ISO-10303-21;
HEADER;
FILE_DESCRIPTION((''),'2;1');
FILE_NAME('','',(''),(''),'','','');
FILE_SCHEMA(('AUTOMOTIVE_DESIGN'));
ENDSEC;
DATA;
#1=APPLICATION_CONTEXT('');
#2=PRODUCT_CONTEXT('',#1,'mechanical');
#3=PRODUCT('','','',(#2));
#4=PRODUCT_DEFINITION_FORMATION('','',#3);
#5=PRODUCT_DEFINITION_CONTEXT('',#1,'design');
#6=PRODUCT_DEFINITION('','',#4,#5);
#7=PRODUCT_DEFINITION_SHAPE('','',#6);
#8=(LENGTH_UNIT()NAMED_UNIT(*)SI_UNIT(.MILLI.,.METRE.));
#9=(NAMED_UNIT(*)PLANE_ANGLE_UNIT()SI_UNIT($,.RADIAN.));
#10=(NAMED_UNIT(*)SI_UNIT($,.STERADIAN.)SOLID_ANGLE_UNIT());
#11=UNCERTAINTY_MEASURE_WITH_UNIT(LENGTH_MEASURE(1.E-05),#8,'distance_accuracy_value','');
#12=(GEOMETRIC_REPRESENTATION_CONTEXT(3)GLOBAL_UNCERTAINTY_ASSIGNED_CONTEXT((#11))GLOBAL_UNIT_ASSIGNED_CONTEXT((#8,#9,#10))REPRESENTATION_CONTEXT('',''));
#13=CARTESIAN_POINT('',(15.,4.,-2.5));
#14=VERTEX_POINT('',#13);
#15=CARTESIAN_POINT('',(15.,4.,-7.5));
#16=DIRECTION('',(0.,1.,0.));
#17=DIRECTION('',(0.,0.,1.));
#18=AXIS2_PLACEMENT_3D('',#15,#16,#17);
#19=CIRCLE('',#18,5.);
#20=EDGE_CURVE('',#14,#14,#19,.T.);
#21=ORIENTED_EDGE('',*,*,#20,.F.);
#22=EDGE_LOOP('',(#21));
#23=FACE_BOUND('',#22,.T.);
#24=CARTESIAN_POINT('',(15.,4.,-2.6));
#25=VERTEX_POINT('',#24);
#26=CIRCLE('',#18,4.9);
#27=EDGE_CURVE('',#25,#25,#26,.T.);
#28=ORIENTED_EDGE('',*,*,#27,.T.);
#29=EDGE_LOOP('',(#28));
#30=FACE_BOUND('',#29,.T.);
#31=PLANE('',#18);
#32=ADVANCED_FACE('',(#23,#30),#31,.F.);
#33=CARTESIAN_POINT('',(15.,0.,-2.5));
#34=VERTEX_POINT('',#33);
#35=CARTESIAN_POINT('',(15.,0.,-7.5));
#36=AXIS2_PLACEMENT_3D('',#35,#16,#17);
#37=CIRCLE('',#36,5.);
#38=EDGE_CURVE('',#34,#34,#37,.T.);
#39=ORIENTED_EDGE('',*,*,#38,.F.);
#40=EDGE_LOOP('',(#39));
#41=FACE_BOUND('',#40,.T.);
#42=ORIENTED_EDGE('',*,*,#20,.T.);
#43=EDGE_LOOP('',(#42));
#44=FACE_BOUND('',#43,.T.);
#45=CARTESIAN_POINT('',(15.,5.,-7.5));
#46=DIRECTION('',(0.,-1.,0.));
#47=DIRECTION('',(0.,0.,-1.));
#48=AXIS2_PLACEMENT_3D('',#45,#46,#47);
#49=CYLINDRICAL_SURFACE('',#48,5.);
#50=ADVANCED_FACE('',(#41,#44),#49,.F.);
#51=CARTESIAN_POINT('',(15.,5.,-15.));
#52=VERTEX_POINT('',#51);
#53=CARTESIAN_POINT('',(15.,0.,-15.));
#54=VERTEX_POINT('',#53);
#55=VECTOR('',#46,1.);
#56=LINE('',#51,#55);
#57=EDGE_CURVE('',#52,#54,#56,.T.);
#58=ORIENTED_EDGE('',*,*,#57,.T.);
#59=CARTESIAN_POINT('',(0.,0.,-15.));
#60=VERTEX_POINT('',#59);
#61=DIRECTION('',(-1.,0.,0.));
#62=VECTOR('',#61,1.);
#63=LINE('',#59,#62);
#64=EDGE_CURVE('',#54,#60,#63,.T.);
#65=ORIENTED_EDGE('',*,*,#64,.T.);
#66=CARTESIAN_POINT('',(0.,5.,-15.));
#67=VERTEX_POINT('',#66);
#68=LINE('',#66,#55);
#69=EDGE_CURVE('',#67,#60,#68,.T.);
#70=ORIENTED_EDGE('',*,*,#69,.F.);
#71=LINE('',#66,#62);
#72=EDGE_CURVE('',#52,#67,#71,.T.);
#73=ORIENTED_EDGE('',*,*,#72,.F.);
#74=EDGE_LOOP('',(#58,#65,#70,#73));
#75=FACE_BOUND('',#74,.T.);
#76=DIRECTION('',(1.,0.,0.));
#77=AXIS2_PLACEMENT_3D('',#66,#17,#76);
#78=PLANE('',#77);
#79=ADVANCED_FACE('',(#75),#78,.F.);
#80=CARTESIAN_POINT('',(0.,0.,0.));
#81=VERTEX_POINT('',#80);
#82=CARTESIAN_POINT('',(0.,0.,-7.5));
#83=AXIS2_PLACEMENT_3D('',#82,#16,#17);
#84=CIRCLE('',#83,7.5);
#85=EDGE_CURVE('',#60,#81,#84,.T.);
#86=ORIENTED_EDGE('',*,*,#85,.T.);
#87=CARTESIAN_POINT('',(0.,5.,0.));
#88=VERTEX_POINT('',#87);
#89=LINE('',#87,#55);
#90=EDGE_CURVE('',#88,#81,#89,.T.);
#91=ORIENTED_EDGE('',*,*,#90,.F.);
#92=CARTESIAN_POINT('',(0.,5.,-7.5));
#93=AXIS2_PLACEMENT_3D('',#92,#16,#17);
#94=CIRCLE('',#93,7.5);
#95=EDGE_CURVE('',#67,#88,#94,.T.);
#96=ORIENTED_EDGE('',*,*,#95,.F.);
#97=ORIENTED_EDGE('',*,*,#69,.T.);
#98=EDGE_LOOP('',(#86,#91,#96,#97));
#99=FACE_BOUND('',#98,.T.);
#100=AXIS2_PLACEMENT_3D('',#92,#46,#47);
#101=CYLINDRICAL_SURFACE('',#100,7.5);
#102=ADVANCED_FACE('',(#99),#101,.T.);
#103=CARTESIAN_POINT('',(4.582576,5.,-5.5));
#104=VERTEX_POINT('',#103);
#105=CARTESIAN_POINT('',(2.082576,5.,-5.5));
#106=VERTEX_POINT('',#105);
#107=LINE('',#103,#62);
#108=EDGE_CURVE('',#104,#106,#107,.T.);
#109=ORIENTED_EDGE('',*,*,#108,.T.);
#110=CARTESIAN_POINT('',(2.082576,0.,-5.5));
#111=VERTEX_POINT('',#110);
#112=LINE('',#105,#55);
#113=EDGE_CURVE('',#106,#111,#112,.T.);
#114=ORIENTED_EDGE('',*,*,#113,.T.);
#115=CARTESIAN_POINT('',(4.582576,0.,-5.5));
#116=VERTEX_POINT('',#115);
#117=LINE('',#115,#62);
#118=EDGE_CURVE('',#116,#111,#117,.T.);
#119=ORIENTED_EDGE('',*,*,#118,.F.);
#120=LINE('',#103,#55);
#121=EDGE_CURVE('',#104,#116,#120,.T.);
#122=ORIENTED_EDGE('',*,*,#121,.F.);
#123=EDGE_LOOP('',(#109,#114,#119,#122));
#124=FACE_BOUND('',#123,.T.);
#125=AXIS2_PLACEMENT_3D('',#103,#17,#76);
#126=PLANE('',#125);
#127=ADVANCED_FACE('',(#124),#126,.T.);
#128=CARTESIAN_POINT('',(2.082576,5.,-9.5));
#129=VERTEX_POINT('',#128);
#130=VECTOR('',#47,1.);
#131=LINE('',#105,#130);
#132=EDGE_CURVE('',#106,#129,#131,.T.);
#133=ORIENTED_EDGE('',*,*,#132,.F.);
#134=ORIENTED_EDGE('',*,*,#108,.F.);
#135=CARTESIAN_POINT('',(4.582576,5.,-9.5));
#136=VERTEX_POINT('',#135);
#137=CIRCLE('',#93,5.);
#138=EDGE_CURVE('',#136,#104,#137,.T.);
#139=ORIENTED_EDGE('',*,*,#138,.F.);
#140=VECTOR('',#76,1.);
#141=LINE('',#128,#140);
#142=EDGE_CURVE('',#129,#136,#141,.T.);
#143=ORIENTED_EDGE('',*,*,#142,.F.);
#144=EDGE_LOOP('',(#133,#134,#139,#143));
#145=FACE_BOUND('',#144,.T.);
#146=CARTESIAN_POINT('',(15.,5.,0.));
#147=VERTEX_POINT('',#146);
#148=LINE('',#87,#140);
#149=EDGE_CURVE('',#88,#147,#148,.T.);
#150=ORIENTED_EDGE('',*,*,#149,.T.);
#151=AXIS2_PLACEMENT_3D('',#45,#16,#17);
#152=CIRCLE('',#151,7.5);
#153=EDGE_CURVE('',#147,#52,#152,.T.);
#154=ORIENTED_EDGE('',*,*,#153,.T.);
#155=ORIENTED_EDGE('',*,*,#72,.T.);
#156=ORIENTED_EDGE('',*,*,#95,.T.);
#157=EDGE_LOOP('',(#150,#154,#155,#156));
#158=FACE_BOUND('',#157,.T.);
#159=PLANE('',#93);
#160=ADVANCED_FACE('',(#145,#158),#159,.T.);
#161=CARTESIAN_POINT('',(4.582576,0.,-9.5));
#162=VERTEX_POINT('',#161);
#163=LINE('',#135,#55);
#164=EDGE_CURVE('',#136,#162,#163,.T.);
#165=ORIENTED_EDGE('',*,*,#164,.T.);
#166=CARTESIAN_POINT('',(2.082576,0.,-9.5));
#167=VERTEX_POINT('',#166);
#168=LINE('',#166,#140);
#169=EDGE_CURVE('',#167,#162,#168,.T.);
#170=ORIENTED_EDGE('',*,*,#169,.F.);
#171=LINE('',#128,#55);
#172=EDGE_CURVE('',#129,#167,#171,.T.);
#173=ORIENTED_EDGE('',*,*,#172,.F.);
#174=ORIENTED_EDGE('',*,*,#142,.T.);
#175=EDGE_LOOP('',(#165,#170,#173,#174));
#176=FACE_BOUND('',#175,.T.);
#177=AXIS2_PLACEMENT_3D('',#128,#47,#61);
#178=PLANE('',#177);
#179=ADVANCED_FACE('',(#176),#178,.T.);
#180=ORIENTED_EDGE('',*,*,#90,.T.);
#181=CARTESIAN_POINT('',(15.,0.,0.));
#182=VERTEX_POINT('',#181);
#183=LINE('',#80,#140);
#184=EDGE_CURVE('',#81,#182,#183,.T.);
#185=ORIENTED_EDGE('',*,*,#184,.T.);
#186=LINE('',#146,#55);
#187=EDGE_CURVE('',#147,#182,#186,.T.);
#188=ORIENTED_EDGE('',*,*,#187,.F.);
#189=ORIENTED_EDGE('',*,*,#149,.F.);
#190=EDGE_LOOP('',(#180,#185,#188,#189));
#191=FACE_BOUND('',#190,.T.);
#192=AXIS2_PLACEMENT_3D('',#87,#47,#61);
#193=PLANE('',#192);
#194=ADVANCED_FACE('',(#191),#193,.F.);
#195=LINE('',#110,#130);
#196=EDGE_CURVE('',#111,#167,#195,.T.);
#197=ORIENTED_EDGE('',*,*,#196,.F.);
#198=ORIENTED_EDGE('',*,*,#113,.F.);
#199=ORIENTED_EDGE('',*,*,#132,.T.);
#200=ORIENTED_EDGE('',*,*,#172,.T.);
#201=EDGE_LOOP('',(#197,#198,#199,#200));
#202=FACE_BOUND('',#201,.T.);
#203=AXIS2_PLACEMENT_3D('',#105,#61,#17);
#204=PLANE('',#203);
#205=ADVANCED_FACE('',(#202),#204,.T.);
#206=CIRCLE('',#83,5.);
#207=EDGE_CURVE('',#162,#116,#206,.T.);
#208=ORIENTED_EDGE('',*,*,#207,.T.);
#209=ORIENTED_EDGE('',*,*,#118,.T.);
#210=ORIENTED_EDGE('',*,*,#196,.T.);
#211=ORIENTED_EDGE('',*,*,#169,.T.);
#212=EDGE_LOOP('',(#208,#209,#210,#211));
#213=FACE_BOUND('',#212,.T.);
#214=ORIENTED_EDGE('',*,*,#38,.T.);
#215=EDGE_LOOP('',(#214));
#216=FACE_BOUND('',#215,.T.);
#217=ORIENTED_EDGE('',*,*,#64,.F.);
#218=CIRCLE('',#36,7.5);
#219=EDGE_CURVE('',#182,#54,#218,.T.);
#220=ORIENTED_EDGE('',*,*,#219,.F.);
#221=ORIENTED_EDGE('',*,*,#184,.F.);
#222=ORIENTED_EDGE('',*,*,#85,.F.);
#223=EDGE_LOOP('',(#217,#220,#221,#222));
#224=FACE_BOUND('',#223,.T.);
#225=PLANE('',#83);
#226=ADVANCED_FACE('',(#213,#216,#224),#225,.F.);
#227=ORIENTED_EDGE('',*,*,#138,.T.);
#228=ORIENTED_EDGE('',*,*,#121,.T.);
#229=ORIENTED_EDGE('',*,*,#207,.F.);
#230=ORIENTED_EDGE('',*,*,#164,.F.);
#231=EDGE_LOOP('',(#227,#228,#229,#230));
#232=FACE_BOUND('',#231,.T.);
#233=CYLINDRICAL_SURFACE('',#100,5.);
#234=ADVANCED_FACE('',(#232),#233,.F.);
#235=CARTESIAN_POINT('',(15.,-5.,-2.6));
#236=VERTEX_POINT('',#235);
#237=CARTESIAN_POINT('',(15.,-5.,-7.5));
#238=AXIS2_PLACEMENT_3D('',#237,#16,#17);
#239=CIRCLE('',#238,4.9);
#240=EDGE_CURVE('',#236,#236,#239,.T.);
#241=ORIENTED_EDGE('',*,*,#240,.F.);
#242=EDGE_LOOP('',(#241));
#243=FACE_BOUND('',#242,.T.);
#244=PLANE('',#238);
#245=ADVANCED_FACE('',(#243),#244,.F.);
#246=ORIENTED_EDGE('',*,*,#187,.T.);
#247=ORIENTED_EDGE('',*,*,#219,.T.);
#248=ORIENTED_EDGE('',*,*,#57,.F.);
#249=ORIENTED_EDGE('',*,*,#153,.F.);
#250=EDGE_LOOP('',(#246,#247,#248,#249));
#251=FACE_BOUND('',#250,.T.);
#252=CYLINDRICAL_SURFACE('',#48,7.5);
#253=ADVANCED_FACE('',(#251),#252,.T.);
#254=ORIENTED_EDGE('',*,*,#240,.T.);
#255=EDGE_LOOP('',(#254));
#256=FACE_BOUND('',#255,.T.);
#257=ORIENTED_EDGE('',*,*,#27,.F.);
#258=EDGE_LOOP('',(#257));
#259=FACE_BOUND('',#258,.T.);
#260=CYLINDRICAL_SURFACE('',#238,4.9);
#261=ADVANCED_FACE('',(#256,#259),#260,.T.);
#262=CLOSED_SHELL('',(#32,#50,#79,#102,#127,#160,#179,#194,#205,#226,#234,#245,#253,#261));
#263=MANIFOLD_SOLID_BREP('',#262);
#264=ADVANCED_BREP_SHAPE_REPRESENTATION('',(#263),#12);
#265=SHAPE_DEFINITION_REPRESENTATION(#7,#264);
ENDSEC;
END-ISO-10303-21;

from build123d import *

# Parameters (mm, degrees)
SKETCH1_R           = 5
BOSS_EXTRUDE1_DEPTH = 5
SKETCH2_R           = 4.9
BOSS_EXTRUDE2_DEPTH = 10
BOSS_EXTRUDE3_START = -1
SKETCH4_R           = 5
BOSS_EXTRUDE3_DEPTH = 1


with BuildPart() as part:
    # Sketch1 → Boss-Extrude1 (new body)
    with BuildSketch(Plane(origin=(0, 0, 0), x_dir=(1, 0, 0), z_dir=(0, 1, 0))):
        with BuildLine():
            Line((0, 0), (15, 0))
            ThreePointArc((15, 0), (22.5, 7.5), (15, 15))
            Line((15, 15), (0, 15))
            ThreePointArc((0, 15), (-7.5, 7.5), (0, 0))
        make_face()
        with Locations(Location((15, 7.5, 0), (0, 0, 270))):
            Circle(SKETCH1_R, mode=Mode.SUBTRACT)
        with BuildLine():
            Line((4.582575695, 5.5), (2.082575695, 5.5))
            Line((2.082575695, 5.5), (2.082575695, 9.5))
            Line((2.082575695, 9.5), (4.582575695, 9.5))
            ThreePointArc((4.582575695, 9.5), (-5, 7.5), (4.582575695, 5.5))
        make_face(mode=Mode.SUBTRACT)
    extrude(amount=BOSS_EXTRUDE1_DEPTH)



with BuildPart() as body_2:
    # Sketch2 → Boss-Extrude2 (new body)
    with BuildSketch(Plane(origin=(0, 5, 0), x_dir=(1, 0, 0), z_dir=(0, 1, 0))):
        with Locations(Location((15, 7.5, 0), (0, 0, 270))):
            Circle(SKETCH2_R)
    extrude(amount=-BOSS_EXTRUDE2_DEPTH)


with BuildPart() as part_1:
    add(part.part)

    add(body_2.part)  # Boss-Extrude3 merges body 2
    # Sketch4 → Boss-Extrude3 (add)
    with BuildSketch(Plane(origin=(0, 5, 0), x_dir=(-1, 0, 0), z_dir=(0, 1, 0)).offset(BOSS_EXTRUDE3_START)):
        with Locations(Location((-15, -7.5, 0), (0, 0, 90))):
            Circle(SKETCH4_R)
    extrude(amount=BOSS_EXTRUDE3_DEPTH)


solid = part_1.part
